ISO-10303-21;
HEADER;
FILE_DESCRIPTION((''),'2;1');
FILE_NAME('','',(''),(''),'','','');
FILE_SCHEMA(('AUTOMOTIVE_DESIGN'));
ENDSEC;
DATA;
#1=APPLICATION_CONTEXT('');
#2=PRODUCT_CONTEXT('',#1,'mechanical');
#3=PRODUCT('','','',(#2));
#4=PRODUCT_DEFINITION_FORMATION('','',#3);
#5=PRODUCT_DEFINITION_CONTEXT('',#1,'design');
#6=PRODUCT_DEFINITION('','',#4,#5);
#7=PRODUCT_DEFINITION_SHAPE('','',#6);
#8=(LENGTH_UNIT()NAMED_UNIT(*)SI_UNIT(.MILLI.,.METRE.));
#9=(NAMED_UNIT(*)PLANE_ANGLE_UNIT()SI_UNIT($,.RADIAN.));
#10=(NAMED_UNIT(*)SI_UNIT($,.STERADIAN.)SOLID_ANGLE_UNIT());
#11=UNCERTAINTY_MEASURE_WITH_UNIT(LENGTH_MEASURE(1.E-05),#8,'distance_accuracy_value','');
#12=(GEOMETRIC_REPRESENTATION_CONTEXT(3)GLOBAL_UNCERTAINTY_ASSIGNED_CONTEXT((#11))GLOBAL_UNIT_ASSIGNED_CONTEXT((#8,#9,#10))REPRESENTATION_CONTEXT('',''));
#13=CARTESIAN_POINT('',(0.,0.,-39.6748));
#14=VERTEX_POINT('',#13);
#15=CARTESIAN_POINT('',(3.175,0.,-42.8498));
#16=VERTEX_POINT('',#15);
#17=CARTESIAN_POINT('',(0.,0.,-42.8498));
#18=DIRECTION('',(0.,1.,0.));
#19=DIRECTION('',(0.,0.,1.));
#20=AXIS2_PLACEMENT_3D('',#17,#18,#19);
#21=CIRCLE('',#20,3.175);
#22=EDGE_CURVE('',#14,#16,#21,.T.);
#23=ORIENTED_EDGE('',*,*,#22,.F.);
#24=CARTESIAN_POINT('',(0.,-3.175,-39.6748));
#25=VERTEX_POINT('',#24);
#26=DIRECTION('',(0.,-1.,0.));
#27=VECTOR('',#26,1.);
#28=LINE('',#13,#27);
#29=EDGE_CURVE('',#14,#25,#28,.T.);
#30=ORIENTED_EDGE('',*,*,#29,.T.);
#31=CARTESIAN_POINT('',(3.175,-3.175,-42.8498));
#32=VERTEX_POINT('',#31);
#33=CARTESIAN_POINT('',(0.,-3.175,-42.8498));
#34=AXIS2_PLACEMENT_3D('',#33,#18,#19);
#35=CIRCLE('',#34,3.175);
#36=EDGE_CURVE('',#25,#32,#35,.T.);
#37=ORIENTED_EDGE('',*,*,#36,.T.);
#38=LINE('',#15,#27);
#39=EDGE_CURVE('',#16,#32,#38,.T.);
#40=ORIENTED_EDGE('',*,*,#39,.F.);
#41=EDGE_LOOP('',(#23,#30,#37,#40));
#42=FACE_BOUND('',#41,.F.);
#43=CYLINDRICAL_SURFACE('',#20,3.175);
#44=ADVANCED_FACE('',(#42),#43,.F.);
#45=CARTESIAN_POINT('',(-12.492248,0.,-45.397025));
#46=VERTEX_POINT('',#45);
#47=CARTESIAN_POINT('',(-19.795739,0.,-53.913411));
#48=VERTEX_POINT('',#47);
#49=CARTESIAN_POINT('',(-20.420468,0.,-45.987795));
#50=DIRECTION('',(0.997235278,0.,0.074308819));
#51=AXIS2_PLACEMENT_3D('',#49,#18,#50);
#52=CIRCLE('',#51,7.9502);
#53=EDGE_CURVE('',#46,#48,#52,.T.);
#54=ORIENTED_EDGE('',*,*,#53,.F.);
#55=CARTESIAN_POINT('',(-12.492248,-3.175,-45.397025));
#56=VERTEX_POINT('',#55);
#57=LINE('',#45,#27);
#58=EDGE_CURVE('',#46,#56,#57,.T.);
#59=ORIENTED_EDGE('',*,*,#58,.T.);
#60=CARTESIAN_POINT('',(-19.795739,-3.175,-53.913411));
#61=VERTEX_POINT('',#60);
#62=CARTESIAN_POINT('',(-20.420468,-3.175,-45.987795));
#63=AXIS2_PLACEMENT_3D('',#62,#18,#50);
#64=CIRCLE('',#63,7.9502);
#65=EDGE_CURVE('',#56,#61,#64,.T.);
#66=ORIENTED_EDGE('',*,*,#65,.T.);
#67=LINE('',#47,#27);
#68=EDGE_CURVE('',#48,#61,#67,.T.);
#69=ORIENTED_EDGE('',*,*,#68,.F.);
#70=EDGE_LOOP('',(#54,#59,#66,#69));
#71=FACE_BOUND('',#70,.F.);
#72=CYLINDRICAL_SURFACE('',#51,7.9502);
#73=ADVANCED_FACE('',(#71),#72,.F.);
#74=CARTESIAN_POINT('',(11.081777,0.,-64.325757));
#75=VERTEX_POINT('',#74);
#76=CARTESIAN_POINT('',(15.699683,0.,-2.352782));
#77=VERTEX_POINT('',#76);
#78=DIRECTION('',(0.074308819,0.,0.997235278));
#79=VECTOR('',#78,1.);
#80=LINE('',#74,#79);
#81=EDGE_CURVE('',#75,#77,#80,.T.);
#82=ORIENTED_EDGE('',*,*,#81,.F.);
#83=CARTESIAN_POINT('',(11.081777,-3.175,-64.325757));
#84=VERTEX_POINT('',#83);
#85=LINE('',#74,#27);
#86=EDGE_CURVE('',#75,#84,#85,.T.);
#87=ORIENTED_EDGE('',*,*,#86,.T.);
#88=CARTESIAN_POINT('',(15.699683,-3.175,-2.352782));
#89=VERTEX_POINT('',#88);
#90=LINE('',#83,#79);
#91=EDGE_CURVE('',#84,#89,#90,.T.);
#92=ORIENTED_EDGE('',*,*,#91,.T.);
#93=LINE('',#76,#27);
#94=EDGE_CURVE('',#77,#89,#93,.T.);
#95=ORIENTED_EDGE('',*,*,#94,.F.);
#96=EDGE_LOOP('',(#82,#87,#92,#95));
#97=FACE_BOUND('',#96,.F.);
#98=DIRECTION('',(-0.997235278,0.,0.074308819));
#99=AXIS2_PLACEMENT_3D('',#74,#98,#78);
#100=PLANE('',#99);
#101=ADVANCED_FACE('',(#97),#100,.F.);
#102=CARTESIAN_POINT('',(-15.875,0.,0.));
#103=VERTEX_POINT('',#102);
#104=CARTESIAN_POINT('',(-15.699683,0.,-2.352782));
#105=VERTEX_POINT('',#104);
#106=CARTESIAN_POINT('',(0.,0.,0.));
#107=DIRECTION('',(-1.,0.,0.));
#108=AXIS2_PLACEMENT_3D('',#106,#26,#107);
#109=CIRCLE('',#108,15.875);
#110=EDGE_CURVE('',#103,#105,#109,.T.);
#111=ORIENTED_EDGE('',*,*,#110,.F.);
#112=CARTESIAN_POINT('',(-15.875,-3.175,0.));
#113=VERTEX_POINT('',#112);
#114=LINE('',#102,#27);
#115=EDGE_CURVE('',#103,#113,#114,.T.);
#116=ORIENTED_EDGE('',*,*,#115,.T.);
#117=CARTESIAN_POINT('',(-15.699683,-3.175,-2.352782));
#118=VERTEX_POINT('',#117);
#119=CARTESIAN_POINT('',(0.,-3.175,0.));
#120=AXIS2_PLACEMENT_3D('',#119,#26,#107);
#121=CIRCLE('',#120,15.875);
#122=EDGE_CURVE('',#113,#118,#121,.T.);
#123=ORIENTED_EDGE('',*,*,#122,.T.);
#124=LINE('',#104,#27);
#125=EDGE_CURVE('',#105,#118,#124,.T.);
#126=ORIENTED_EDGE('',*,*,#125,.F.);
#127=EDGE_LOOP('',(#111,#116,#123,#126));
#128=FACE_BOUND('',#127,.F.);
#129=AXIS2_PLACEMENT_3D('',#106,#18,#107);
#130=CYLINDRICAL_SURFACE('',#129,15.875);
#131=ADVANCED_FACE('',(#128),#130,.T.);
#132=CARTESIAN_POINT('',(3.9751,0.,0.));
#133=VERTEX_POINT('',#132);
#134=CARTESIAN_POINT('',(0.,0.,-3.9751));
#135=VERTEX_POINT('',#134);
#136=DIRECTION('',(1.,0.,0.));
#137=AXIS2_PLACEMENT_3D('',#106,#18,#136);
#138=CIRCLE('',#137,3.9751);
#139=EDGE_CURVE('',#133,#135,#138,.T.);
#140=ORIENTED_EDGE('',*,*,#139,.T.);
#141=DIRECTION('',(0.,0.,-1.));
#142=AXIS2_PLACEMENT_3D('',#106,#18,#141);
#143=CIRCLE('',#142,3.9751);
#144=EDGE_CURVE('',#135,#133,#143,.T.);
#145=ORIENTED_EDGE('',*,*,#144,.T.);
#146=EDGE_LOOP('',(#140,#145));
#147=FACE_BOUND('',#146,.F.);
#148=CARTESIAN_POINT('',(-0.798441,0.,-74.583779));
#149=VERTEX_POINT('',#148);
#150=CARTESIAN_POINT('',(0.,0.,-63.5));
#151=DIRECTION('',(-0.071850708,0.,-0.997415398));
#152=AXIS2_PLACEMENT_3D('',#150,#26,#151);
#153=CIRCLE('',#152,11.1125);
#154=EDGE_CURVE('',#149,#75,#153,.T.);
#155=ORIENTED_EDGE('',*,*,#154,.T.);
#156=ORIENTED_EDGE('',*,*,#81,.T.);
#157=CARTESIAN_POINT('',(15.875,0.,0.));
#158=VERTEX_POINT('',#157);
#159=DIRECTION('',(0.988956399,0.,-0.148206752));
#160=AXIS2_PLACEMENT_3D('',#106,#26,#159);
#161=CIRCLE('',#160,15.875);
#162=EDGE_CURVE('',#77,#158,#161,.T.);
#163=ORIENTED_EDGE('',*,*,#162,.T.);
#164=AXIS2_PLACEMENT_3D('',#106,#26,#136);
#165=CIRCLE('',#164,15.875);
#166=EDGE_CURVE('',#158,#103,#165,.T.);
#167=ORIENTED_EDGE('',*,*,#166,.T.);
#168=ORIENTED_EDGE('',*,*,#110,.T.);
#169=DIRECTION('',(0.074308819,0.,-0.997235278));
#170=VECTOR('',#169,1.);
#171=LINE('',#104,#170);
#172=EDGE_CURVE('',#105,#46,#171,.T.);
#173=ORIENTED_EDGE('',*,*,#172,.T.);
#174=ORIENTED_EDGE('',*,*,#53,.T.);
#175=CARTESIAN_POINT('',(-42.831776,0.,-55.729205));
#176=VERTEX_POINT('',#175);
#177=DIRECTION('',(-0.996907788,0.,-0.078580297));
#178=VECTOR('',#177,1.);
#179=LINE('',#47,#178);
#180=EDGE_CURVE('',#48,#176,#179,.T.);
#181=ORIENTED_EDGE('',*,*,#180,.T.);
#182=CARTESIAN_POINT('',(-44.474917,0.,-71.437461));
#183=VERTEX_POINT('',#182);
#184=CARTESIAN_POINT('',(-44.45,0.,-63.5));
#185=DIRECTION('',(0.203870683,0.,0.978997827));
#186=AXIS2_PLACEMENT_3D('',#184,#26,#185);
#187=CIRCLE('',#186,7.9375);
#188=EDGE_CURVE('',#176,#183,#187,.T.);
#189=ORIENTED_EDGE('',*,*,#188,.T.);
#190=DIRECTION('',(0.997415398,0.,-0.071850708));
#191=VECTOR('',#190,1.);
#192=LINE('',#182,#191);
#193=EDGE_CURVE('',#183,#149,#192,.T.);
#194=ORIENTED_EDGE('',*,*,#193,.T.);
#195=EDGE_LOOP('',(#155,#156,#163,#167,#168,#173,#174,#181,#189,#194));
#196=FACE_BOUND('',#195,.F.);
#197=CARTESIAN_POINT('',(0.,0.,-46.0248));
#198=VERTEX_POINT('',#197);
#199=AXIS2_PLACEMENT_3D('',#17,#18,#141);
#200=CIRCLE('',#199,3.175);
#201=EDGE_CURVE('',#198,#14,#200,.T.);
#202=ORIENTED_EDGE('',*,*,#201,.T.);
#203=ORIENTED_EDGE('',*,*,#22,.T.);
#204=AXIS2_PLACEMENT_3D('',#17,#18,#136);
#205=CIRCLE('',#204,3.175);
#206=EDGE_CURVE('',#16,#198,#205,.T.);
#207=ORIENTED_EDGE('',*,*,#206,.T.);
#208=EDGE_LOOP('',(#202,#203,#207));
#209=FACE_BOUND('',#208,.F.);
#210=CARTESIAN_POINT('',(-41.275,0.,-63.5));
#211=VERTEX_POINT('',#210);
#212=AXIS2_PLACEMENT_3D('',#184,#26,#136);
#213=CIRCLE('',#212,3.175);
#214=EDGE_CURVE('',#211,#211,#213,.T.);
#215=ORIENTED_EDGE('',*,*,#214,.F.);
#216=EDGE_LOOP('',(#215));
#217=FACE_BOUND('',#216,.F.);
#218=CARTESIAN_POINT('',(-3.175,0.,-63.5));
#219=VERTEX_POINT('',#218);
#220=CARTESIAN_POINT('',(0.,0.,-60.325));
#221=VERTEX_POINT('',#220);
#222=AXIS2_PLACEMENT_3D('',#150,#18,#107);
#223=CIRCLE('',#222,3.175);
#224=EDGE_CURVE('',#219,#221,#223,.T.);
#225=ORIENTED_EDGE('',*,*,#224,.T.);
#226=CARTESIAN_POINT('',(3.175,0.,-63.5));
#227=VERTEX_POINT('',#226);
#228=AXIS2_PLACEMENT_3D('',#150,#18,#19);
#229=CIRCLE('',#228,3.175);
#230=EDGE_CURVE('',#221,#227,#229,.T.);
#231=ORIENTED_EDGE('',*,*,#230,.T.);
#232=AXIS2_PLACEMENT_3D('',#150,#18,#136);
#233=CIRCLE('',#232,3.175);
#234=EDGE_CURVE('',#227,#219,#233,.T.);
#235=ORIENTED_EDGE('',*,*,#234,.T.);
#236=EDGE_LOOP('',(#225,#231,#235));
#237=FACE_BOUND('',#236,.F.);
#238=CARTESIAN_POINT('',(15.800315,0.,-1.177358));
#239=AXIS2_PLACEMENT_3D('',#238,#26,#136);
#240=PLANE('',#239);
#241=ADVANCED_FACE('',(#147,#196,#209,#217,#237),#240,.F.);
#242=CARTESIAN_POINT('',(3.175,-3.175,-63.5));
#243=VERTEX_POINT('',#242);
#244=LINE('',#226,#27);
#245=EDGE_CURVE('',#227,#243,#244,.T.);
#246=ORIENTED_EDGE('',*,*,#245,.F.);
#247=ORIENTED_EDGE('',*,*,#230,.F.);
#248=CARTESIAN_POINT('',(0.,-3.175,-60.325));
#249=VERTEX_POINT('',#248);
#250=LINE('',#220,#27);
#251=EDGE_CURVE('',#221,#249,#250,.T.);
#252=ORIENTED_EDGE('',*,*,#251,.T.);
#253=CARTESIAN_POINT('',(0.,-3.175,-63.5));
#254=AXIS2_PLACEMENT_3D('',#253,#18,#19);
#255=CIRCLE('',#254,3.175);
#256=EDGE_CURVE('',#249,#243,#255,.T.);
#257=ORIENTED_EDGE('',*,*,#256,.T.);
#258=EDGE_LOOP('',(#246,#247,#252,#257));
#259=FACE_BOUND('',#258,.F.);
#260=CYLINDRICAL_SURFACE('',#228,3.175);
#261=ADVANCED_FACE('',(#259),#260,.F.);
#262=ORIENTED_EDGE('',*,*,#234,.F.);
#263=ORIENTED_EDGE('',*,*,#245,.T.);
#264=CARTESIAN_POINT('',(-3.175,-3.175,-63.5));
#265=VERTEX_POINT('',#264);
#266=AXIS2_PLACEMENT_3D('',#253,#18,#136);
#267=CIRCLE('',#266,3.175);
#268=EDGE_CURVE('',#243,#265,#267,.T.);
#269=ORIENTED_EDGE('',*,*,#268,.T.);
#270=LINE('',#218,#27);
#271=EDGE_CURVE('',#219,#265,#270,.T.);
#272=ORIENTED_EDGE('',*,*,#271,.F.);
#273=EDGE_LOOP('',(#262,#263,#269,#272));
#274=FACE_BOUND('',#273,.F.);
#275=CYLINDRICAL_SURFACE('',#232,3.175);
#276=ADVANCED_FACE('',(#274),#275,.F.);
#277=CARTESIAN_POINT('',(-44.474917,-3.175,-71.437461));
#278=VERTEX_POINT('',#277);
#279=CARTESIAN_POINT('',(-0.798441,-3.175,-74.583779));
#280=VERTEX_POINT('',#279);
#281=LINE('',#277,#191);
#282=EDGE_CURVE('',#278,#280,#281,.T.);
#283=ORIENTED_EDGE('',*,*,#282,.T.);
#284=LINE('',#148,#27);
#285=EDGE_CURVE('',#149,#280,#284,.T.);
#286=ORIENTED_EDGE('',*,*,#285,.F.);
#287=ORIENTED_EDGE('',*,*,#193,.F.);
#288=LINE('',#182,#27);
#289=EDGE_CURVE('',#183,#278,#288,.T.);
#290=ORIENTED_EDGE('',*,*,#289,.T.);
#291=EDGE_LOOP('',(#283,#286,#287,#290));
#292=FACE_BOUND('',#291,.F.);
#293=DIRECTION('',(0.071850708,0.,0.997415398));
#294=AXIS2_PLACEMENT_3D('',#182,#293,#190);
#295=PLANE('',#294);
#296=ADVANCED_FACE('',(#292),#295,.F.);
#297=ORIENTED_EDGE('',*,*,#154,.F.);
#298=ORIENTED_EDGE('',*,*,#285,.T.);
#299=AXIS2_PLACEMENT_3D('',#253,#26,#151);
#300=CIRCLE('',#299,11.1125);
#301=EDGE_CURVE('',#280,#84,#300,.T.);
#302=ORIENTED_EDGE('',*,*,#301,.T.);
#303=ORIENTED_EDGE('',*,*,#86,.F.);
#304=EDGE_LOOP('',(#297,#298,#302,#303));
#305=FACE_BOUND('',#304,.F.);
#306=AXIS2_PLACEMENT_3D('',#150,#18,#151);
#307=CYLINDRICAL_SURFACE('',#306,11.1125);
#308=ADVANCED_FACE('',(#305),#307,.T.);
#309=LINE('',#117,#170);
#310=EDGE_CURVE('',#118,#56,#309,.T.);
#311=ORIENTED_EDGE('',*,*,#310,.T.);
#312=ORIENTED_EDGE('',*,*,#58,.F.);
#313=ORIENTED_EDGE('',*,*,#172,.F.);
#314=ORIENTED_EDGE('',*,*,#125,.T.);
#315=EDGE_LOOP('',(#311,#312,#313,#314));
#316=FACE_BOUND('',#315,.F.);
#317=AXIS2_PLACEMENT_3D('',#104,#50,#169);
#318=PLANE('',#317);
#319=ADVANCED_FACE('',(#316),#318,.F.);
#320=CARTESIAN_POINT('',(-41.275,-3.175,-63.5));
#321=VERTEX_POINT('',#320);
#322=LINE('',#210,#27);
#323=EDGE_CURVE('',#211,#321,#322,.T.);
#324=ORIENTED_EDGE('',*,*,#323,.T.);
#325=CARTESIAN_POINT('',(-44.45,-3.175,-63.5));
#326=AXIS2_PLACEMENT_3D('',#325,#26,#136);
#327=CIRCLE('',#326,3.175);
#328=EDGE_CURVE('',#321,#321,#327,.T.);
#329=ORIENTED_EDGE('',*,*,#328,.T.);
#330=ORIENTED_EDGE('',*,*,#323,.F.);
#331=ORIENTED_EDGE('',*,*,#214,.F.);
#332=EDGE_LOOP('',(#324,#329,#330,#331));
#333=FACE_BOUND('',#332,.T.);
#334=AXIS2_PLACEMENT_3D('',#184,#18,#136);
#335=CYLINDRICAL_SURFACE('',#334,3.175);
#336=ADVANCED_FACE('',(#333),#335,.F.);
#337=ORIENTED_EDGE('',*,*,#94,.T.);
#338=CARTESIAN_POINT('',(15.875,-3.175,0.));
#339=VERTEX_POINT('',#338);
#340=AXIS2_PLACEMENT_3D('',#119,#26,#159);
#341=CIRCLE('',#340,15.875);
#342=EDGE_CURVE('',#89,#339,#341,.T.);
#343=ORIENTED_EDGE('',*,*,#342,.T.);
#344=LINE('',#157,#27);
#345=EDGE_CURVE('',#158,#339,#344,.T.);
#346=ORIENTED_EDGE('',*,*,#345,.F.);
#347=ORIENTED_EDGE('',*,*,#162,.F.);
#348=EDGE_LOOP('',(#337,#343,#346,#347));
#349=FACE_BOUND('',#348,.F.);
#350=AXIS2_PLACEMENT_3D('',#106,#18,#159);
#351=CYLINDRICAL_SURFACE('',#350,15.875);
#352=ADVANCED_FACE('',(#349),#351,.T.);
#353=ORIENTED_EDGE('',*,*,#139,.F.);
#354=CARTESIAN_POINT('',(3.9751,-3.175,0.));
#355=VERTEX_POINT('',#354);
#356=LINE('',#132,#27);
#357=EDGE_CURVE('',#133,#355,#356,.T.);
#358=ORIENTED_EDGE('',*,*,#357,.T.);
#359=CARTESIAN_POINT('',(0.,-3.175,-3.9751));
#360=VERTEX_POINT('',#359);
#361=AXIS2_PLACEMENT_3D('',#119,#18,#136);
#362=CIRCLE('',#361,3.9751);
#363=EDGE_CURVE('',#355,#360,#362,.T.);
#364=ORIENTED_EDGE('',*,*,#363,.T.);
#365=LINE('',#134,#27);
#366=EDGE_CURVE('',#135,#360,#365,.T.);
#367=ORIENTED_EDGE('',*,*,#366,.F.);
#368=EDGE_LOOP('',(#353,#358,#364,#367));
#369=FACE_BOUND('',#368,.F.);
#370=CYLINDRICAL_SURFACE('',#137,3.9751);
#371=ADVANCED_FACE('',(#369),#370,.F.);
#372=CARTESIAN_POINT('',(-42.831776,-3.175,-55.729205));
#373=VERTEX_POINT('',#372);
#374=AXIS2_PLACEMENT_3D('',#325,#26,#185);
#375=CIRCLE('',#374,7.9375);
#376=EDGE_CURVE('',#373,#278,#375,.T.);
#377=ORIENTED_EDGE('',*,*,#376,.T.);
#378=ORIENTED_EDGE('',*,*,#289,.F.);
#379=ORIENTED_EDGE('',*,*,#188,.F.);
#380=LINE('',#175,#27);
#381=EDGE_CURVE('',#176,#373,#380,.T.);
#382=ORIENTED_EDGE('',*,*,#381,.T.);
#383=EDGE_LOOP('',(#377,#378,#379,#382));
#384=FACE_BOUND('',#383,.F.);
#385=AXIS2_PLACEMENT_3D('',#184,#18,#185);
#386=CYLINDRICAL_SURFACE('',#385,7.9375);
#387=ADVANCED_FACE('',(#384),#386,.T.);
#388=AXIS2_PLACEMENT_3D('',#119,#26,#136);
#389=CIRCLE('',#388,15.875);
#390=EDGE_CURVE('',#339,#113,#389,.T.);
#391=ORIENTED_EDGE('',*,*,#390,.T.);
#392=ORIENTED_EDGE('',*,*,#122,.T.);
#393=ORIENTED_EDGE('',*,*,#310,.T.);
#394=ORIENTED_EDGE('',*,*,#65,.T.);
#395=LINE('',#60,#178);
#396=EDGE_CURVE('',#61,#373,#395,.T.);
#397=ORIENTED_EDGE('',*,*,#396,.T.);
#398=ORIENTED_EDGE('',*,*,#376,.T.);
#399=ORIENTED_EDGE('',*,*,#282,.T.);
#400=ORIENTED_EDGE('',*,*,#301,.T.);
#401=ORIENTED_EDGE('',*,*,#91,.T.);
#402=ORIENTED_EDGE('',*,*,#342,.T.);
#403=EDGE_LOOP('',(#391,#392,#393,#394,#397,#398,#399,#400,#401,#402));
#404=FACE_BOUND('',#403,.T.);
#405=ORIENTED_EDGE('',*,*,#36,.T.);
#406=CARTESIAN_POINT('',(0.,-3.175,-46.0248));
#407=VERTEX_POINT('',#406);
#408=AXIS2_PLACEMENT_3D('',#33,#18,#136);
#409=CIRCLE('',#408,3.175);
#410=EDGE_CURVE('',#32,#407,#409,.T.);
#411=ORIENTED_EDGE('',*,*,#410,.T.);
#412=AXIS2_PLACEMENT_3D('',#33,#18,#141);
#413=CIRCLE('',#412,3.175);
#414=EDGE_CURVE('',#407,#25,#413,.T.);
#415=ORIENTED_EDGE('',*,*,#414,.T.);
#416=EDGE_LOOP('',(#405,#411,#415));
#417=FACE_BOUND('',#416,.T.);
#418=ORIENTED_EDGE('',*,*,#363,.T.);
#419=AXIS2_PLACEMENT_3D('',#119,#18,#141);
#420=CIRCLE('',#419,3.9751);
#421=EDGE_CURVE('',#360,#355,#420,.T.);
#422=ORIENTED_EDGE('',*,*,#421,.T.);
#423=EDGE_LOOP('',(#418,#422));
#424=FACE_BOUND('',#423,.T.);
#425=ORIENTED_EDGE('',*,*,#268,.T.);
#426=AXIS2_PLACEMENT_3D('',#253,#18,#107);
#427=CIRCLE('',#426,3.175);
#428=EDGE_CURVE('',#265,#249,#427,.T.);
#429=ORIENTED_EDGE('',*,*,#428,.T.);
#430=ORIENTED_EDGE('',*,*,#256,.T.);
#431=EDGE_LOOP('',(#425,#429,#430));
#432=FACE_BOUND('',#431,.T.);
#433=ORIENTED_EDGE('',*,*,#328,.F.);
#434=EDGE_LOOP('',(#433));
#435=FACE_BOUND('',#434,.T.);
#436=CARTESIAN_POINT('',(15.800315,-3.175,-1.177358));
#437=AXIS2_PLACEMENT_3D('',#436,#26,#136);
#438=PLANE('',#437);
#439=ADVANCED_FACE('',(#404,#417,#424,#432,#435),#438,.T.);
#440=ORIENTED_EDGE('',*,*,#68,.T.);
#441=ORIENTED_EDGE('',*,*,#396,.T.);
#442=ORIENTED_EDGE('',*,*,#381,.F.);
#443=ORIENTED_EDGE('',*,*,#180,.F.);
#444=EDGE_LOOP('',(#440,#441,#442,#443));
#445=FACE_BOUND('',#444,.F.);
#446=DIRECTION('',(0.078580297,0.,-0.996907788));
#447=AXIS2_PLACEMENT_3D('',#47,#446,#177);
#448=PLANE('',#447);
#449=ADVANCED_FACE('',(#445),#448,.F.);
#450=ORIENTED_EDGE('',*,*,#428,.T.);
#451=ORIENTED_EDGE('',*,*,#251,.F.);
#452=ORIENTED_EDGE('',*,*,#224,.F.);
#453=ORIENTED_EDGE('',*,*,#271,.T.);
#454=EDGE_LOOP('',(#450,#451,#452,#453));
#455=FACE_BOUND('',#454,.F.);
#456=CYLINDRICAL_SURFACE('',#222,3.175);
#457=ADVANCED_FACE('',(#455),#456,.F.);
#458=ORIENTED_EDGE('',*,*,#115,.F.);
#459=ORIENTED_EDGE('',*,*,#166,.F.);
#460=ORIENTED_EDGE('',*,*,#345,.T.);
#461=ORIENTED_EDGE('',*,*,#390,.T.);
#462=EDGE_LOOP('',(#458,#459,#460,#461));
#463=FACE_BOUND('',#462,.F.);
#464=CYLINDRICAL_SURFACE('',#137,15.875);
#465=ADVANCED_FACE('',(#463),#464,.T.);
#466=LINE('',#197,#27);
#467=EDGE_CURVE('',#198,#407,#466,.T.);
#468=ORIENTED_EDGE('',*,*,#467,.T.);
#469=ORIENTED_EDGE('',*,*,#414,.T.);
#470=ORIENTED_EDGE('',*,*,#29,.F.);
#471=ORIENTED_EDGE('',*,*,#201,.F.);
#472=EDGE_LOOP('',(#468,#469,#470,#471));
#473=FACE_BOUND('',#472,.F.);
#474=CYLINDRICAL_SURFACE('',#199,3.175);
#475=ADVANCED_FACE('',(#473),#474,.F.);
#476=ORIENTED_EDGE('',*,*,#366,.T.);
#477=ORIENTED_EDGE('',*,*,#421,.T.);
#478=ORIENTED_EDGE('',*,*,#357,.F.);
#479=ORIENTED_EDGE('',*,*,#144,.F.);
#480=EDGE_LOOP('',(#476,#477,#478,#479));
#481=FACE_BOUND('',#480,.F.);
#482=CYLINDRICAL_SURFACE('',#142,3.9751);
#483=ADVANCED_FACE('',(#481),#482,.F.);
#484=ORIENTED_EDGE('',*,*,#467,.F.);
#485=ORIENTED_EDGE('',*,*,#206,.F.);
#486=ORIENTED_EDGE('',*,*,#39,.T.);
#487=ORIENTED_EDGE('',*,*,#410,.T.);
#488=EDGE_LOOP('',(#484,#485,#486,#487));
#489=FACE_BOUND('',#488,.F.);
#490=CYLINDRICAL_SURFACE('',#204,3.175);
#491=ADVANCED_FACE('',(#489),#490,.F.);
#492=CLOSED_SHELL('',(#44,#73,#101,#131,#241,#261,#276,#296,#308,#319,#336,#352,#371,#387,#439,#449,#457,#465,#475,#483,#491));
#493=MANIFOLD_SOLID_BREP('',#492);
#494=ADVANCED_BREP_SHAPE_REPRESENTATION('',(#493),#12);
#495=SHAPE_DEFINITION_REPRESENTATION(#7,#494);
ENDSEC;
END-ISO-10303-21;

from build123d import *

# Parameters (mm, degrees)
F0_R     = 3.175
F1_DEPTH = 3.175


with BuildPart() as f1:
    # F0 (on Front) → F1 (new body)
    with BuildSketch(Plane.XZ):
        with BuildLine():
            Line((15.875, 0), (15.6996828294, -2.3527821949))
            ThreePointArc((15.6996828294, -2.3527821949), (15.8311100356, -1.1796525089), (15.875, 0))
        make_face()
        with BuildLine():
            Line((11.0817770249, -64.3257567562), (15.6996828294, -2.3527821949))
            Line((15.6996828294, -2.3527821949), (15.875, 0))
            ThreePointArc((15.875, 0), (0, 15.875), (-15.875, 0))
            Line((-15.875, 0), (-15.6996828294, -2.3527821949))
            Line((-15.6996828294, -2.3527821949), (-12.4922482956, -45.3970250149))
            ThreePointArc((-12.4922482956, -45.3970250149), (-14.385533004, -51.1632405956), (-19.7957391271, -53.9134112843))
            Line((-19.7957391271, -53.9134112843), (-42.831776457, -55.7292047502))
            ThreePointArc((-42.831776457, -55.7292047502), (-52.3444273977, -62.6742141245), (-44.474917295, -71.4374608899))
            Line((-44.474917295, -71.4374608899), (-0.7984409909, -74.5837786081))
            ThreePointArc((-0.7984409909, -74.5837786081), (7.2624722427, -71.9109543557), (11.0817770249, -64.3257567562))
        make_face()
        with Locations((-44.45, -63.5)):
            Circle(F0_R, mode=Mode.SUBTRACT)
        with BuildLine():
            ThreePointArc((-3.175, -63.5), (-2.2450640303, -61.2549359697), (0, -60.325))
            ThreePointArc((0, -60.325), (2.2450640303, -61.2549359697), (3.175, -63.5))
            ThreePointArc((3.175, -63.5), (0, -66.675), (-3.175, -63.5))
        make_face(mode=Mode.SUBTRACT)
        with BuildLine():
            ThreePointArc((0, -46.0248), (-3.175, -42.8498), (0, -39.6748))
            ThreePointArc((0, -39.6748), (2.2450640303, -40.6047359697), (3.175, -42.8498))
            ThreePointArc((3.175, -42.8498), (2.2450640303, -45.0948640303), (0, -46.0248))
        make_face(mode=Mode.SUBTRACT)
        with BuildLine():
            ThreePointArc((3.9751, 0), (2.8108201659, -2.8108201659), (0, -3.9751))
            ThreePointArc((0, -3.9751), (-2.8108201659, 2.8108201659), (3.9751, 0))
        make_face(mode=Mode.SUBTRACT)
        with BuildLine():
            Line((-15.6996828294, -2.3527821949), (-15.875, 0))
            ThreePointArc((-15.875, 0), (-15.8311100356, -1.1796525089), (-15.6996828294, -2.3527821949))
        make_face()
    extrude(amount=F1_DEPTH)


solid = f1.part
